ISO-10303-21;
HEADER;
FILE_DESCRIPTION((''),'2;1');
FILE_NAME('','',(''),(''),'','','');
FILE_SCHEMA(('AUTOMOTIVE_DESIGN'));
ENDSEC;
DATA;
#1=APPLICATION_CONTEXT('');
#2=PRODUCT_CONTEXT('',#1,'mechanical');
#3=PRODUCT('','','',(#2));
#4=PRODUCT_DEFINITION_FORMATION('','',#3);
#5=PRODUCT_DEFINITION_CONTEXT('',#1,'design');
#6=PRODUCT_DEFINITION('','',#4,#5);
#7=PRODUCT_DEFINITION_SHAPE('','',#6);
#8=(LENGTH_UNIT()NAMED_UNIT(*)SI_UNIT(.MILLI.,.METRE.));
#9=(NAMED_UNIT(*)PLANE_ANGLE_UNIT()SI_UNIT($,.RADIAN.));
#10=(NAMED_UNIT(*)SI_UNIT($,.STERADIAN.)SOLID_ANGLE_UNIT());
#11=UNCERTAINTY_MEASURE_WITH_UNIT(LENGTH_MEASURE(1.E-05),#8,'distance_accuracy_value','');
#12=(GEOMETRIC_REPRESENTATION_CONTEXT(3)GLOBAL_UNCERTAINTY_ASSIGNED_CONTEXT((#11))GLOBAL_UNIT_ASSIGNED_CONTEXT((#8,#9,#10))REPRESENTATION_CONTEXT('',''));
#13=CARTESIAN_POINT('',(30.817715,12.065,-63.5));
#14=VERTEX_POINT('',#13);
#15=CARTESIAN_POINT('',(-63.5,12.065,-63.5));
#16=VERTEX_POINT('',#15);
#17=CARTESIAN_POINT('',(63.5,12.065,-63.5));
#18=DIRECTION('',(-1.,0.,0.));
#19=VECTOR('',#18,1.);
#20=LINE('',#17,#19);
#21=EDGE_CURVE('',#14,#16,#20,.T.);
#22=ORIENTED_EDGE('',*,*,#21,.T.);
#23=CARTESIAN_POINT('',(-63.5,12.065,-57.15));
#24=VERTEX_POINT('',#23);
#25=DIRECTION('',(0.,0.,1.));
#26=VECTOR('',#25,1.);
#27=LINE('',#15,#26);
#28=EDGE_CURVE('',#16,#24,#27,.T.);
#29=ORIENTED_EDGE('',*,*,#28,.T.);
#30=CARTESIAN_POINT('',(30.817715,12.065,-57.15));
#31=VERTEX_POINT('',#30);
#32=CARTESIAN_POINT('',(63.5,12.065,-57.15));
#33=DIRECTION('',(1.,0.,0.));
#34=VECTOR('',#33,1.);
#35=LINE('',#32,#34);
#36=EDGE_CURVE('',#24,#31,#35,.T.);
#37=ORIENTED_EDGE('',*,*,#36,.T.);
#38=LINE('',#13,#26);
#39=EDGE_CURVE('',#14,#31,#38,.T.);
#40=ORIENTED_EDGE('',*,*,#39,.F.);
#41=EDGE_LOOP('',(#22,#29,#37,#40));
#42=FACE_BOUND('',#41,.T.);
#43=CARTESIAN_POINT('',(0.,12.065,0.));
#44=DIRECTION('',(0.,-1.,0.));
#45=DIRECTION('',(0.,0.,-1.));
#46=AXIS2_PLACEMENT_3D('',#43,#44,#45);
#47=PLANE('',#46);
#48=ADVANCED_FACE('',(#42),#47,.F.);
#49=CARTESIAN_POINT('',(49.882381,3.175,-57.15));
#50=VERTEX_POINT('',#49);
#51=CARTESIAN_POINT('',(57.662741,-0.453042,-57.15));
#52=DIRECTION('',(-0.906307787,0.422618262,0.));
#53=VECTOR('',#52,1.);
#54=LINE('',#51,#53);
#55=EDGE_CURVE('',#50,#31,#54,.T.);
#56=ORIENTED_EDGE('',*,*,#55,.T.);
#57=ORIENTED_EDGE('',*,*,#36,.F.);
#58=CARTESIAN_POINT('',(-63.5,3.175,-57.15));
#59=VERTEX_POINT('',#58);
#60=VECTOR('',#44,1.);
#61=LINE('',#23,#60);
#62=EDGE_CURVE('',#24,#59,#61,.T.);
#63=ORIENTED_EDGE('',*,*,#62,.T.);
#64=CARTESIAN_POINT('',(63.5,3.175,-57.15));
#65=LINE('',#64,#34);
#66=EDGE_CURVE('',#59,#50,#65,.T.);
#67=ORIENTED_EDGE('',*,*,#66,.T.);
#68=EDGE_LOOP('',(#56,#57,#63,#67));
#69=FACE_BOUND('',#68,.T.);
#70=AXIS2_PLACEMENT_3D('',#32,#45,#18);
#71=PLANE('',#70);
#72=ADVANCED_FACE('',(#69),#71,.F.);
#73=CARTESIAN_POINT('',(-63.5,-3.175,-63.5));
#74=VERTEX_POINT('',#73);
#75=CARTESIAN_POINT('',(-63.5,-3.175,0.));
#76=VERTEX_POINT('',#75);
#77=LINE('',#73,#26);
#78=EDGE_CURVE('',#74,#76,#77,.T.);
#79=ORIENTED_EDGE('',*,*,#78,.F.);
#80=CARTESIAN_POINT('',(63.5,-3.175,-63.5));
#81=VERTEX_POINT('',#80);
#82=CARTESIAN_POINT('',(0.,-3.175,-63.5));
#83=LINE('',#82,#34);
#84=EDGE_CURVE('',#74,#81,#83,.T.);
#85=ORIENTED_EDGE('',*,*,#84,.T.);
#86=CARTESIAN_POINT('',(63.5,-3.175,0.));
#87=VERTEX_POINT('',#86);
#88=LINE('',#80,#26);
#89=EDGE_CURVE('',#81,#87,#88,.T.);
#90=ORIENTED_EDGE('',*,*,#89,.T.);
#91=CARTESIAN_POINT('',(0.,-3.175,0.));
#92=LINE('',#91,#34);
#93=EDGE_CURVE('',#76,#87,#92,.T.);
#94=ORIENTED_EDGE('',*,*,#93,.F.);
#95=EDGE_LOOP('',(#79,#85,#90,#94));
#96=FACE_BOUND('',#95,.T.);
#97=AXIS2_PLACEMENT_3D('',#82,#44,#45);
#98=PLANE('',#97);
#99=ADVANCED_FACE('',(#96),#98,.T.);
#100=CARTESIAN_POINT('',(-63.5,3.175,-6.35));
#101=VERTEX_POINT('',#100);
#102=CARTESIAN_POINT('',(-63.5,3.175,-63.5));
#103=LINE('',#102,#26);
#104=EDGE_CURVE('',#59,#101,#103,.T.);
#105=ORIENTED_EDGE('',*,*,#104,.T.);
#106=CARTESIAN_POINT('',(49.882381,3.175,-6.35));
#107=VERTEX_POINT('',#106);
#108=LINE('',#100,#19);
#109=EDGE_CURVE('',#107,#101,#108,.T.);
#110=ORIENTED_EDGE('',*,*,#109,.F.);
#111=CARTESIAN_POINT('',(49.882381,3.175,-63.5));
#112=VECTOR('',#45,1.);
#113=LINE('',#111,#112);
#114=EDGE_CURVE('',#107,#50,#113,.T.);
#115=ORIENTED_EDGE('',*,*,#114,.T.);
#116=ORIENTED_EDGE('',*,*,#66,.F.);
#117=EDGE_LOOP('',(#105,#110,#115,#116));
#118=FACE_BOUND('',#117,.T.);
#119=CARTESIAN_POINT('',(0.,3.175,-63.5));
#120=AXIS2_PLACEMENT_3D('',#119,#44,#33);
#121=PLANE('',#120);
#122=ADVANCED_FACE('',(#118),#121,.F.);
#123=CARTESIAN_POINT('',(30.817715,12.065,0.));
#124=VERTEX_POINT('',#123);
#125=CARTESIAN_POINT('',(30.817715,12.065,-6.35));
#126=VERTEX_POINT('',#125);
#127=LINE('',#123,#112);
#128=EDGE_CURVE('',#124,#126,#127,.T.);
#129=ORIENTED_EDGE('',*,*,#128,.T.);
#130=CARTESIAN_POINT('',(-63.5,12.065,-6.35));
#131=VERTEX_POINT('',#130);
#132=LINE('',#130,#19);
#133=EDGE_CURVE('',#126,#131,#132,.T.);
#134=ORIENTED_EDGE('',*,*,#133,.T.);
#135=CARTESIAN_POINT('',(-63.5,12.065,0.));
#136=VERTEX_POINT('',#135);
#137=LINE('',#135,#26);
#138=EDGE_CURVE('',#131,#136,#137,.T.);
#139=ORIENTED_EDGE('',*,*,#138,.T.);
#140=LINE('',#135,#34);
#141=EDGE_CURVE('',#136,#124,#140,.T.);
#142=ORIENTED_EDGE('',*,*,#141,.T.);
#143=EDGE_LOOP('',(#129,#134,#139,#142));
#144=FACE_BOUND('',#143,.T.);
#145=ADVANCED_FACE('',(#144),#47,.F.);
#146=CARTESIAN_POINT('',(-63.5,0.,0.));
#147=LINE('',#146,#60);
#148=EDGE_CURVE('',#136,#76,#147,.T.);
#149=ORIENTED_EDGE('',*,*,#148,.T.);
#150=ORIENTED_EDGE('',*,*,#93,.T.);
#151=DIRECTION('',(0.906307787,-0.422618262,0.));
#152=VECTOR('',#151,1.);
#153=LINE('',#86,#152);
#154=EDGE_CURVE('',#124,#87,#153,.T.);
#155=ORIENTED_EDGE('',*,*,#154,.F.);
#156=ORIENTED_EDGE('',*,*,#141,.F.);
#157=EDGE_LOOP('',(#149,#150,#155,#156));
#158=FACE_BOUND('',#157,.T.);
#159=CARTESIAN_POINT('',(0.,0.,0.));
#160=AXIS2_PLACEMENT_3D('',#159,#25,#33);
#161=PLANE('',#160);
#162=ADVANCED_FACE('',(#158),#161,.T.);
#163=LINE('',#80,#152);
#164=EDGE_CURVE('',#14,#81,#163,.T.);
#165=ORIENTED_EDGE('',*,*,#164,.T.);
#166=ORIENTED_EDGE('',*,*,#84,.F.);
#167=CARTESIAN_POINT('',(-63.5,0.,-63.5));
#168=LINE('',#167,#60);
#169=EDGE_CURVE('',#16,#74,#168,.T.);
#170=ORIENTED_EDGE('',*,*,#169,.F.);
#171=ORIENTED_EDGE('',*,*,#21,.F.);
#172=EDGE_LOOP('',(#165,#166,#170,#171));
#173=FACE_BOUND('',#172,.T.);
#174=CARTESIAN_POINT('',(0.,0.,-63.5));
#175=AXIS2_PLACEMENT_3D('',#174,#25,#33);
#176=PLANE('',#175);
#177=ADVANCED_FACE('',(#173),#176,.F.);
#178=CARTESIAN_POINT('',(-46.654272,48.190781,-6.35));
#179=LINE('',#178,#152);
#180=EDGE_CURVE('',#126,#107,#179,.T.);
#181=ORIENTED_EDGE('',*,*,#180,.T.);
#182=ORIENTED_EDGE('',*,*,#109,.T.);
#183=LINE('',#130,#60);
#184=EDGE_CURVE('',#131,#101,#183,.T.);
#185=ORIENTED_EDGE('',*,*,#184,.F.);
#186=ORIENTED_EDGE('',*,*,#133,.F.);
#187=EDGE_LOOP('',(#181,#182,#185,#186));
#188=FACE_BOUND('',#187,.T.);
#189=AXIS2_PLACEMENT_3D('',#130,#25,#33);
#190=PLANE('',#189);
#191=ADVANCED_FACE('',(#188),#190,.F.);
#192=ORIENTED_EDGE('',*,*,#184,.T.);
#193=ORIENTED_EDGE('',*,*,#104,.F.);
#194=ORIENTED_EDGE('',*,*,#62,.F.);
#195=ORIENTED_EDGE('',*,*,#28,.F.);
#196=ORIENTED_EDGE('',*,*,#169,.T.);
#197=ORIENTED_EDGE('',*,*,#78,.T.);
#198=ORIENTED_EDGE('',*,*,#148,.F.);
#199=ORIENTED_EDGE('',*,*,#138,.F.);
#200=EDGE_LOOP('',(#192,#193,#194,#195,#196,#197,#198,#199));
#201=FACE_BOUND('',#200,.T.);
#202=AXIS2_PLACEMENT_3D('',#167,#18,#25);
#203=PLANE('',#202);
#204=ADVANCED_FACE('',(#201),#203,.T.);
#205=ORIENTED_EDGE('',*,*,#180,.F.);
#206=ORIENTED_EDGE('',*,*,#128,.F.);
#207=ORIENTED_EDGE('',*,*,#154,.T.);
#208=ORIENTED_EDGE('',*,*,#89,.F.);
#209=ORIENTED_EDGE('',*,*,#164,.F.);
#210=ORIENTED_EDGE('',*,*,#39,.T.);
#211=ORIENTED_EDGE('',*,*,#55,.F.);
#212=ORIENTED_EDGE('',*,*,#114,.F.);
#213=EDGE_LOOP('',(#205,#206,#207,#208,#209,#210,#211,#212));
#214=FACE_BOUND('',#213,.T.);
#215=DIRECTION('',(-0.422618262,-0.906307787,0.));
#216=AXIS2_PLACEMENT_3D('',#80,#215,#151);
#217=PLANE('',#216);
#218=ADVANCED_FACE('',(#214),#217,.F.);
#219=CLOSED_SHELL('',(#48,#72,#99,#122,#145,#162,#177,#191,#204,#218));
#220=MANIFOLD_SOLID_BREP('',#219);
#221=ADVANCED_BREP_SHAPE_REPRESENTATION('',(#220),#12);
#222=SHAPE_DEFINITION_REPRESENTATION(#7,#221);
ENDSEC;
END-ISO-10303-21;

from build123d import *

# Parameters (mm, degrees)
SKETCH1_W           = 127
SKETCH1_H           = 6.35
BOSS_EXTRUDE1_DEPTH = 63.5
SKETCH2_W           = 127
SKETCH2_H           = 6.35
BOSS_EXTRUDE2_DEPTH = 8.89
CUT_EXTRUDE1_DEPTH  = 64.5


with BuildPart() as part:
    # Sketch1 → Boss-Extrude1 (new body)
    with BuildSketch(Plane.XY):
        Rectangle(SKETCH1_W, SKETCH1_H)
    extrude(amount=-BOSS_EXTRUDE1_DEPTH)

    # Sketch2 → Boss-Extrude2 (add)
    with BuildSketch(Plane(origin=(0, 3.175, 0), x_dir=(1, 0, 0), z_dir=(0, 1, 0))):
        with Locations((0, 60.325)):
            Rectangle(SKETCH2_W, SKETCH2_H)
        with Locations((0, 3.175)):
            Rectangle(SKETCH2_W, SKETCH2_H)
    extrude(amount=BOSS_EXTRUDE2_DEPTH)

    # Sketch3 → Cut-Extrude1 (cut, through all)
    with BuildSketch(Plane.XY):
        Polygon((63.5, -3.175), (30.817714531, 12.065), (41.55221838, 35.085217791), (74.234503848, 19.845217791), align=None)
    extrude(amount=-CUT_EXTRUDE1_DEPTH, mode=Mode.SUBTRACT)


solid = part.part
